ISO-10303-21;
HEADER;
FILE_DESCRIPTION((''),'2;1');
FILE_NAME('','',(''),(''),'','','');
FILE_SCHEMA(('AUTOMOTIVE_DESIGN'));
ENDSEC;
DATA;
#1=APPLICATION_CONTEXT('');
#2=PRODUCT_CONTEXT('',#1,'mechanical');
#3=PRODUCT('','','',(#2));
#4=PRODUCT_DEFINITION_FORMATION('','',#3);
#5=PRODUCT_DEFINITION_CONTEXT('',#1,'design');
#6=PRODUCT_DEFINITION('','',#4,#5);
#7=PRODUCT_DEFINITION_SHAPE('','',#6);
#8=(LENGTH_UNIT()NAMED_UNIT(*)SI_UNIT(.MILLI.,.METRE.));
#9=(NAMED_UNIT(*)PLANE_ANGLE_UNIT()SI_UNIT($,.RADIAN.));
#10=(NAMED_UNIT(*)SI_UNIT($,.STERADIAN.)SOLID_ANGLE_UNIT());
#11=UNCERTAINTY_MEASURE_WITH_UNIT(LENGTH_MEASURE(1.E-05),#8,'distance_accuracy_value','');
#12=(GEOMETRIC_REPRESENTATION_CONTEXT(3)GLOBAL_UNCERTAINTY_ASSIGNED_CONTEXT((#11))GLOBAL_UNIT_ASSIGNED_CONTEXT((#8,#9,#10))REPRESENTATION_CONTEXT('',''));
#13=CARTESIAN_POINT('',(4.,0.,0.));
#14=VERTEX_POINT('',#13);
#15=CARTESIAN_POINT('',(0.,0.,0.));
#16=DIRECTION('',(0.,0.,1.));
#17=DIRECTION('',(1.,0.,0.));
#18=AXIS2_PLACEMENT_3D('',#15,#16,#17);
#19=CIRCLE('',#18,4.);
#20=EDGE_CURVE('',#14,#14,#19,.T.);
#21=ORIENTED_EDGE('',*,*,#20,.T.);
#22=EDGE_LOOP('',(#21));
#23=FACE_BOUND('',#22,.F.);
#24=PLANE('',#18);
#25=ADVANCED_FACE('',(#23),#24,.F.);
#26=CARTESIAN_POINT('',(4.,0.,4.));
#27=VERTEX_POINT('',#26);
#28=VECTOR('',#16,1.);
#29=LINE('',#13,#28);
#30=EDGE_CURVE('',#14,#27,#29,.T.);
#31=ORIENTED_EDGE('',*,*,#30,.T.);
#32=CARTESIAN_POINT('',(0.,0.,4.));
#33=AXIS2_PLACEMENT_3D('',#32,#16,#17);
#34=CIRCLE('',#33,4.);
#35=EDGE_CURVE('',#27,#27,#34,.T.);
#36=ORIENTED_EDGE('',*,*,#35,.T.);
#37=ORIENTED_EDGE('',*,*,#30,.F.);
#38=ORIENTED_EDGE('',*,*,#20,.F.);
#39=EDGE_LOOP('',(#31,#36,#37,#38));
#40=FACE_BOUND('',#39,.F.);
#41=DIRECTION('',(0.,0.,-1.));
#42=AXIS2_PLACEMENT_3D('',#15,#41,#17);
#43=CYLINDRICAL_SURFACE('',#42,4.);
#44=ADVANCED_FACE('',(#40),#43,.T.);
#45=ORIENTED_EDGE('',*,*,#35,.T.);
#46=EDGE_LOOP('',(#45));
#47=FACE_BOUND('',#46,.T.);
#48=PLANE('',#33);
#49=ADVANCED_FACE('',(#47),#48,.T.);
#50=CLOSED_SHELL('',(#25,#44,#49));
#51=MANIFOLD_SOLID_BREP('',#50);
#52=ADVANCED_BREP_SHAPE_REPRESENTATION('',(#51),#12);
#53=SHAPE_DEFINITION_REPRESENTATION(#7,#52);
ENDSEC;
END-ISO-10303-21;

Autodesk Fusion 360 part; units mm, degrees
sketch "Skizze1" plane through (0, 0, 0) normal (0, 0, 1) x (1, 0, 0)
  circle A0 centre (0, 0) radius 4
  dimension "d1" = 8
extrude "Extrusion1" add sketch "Skizze1" along normal blind 4
